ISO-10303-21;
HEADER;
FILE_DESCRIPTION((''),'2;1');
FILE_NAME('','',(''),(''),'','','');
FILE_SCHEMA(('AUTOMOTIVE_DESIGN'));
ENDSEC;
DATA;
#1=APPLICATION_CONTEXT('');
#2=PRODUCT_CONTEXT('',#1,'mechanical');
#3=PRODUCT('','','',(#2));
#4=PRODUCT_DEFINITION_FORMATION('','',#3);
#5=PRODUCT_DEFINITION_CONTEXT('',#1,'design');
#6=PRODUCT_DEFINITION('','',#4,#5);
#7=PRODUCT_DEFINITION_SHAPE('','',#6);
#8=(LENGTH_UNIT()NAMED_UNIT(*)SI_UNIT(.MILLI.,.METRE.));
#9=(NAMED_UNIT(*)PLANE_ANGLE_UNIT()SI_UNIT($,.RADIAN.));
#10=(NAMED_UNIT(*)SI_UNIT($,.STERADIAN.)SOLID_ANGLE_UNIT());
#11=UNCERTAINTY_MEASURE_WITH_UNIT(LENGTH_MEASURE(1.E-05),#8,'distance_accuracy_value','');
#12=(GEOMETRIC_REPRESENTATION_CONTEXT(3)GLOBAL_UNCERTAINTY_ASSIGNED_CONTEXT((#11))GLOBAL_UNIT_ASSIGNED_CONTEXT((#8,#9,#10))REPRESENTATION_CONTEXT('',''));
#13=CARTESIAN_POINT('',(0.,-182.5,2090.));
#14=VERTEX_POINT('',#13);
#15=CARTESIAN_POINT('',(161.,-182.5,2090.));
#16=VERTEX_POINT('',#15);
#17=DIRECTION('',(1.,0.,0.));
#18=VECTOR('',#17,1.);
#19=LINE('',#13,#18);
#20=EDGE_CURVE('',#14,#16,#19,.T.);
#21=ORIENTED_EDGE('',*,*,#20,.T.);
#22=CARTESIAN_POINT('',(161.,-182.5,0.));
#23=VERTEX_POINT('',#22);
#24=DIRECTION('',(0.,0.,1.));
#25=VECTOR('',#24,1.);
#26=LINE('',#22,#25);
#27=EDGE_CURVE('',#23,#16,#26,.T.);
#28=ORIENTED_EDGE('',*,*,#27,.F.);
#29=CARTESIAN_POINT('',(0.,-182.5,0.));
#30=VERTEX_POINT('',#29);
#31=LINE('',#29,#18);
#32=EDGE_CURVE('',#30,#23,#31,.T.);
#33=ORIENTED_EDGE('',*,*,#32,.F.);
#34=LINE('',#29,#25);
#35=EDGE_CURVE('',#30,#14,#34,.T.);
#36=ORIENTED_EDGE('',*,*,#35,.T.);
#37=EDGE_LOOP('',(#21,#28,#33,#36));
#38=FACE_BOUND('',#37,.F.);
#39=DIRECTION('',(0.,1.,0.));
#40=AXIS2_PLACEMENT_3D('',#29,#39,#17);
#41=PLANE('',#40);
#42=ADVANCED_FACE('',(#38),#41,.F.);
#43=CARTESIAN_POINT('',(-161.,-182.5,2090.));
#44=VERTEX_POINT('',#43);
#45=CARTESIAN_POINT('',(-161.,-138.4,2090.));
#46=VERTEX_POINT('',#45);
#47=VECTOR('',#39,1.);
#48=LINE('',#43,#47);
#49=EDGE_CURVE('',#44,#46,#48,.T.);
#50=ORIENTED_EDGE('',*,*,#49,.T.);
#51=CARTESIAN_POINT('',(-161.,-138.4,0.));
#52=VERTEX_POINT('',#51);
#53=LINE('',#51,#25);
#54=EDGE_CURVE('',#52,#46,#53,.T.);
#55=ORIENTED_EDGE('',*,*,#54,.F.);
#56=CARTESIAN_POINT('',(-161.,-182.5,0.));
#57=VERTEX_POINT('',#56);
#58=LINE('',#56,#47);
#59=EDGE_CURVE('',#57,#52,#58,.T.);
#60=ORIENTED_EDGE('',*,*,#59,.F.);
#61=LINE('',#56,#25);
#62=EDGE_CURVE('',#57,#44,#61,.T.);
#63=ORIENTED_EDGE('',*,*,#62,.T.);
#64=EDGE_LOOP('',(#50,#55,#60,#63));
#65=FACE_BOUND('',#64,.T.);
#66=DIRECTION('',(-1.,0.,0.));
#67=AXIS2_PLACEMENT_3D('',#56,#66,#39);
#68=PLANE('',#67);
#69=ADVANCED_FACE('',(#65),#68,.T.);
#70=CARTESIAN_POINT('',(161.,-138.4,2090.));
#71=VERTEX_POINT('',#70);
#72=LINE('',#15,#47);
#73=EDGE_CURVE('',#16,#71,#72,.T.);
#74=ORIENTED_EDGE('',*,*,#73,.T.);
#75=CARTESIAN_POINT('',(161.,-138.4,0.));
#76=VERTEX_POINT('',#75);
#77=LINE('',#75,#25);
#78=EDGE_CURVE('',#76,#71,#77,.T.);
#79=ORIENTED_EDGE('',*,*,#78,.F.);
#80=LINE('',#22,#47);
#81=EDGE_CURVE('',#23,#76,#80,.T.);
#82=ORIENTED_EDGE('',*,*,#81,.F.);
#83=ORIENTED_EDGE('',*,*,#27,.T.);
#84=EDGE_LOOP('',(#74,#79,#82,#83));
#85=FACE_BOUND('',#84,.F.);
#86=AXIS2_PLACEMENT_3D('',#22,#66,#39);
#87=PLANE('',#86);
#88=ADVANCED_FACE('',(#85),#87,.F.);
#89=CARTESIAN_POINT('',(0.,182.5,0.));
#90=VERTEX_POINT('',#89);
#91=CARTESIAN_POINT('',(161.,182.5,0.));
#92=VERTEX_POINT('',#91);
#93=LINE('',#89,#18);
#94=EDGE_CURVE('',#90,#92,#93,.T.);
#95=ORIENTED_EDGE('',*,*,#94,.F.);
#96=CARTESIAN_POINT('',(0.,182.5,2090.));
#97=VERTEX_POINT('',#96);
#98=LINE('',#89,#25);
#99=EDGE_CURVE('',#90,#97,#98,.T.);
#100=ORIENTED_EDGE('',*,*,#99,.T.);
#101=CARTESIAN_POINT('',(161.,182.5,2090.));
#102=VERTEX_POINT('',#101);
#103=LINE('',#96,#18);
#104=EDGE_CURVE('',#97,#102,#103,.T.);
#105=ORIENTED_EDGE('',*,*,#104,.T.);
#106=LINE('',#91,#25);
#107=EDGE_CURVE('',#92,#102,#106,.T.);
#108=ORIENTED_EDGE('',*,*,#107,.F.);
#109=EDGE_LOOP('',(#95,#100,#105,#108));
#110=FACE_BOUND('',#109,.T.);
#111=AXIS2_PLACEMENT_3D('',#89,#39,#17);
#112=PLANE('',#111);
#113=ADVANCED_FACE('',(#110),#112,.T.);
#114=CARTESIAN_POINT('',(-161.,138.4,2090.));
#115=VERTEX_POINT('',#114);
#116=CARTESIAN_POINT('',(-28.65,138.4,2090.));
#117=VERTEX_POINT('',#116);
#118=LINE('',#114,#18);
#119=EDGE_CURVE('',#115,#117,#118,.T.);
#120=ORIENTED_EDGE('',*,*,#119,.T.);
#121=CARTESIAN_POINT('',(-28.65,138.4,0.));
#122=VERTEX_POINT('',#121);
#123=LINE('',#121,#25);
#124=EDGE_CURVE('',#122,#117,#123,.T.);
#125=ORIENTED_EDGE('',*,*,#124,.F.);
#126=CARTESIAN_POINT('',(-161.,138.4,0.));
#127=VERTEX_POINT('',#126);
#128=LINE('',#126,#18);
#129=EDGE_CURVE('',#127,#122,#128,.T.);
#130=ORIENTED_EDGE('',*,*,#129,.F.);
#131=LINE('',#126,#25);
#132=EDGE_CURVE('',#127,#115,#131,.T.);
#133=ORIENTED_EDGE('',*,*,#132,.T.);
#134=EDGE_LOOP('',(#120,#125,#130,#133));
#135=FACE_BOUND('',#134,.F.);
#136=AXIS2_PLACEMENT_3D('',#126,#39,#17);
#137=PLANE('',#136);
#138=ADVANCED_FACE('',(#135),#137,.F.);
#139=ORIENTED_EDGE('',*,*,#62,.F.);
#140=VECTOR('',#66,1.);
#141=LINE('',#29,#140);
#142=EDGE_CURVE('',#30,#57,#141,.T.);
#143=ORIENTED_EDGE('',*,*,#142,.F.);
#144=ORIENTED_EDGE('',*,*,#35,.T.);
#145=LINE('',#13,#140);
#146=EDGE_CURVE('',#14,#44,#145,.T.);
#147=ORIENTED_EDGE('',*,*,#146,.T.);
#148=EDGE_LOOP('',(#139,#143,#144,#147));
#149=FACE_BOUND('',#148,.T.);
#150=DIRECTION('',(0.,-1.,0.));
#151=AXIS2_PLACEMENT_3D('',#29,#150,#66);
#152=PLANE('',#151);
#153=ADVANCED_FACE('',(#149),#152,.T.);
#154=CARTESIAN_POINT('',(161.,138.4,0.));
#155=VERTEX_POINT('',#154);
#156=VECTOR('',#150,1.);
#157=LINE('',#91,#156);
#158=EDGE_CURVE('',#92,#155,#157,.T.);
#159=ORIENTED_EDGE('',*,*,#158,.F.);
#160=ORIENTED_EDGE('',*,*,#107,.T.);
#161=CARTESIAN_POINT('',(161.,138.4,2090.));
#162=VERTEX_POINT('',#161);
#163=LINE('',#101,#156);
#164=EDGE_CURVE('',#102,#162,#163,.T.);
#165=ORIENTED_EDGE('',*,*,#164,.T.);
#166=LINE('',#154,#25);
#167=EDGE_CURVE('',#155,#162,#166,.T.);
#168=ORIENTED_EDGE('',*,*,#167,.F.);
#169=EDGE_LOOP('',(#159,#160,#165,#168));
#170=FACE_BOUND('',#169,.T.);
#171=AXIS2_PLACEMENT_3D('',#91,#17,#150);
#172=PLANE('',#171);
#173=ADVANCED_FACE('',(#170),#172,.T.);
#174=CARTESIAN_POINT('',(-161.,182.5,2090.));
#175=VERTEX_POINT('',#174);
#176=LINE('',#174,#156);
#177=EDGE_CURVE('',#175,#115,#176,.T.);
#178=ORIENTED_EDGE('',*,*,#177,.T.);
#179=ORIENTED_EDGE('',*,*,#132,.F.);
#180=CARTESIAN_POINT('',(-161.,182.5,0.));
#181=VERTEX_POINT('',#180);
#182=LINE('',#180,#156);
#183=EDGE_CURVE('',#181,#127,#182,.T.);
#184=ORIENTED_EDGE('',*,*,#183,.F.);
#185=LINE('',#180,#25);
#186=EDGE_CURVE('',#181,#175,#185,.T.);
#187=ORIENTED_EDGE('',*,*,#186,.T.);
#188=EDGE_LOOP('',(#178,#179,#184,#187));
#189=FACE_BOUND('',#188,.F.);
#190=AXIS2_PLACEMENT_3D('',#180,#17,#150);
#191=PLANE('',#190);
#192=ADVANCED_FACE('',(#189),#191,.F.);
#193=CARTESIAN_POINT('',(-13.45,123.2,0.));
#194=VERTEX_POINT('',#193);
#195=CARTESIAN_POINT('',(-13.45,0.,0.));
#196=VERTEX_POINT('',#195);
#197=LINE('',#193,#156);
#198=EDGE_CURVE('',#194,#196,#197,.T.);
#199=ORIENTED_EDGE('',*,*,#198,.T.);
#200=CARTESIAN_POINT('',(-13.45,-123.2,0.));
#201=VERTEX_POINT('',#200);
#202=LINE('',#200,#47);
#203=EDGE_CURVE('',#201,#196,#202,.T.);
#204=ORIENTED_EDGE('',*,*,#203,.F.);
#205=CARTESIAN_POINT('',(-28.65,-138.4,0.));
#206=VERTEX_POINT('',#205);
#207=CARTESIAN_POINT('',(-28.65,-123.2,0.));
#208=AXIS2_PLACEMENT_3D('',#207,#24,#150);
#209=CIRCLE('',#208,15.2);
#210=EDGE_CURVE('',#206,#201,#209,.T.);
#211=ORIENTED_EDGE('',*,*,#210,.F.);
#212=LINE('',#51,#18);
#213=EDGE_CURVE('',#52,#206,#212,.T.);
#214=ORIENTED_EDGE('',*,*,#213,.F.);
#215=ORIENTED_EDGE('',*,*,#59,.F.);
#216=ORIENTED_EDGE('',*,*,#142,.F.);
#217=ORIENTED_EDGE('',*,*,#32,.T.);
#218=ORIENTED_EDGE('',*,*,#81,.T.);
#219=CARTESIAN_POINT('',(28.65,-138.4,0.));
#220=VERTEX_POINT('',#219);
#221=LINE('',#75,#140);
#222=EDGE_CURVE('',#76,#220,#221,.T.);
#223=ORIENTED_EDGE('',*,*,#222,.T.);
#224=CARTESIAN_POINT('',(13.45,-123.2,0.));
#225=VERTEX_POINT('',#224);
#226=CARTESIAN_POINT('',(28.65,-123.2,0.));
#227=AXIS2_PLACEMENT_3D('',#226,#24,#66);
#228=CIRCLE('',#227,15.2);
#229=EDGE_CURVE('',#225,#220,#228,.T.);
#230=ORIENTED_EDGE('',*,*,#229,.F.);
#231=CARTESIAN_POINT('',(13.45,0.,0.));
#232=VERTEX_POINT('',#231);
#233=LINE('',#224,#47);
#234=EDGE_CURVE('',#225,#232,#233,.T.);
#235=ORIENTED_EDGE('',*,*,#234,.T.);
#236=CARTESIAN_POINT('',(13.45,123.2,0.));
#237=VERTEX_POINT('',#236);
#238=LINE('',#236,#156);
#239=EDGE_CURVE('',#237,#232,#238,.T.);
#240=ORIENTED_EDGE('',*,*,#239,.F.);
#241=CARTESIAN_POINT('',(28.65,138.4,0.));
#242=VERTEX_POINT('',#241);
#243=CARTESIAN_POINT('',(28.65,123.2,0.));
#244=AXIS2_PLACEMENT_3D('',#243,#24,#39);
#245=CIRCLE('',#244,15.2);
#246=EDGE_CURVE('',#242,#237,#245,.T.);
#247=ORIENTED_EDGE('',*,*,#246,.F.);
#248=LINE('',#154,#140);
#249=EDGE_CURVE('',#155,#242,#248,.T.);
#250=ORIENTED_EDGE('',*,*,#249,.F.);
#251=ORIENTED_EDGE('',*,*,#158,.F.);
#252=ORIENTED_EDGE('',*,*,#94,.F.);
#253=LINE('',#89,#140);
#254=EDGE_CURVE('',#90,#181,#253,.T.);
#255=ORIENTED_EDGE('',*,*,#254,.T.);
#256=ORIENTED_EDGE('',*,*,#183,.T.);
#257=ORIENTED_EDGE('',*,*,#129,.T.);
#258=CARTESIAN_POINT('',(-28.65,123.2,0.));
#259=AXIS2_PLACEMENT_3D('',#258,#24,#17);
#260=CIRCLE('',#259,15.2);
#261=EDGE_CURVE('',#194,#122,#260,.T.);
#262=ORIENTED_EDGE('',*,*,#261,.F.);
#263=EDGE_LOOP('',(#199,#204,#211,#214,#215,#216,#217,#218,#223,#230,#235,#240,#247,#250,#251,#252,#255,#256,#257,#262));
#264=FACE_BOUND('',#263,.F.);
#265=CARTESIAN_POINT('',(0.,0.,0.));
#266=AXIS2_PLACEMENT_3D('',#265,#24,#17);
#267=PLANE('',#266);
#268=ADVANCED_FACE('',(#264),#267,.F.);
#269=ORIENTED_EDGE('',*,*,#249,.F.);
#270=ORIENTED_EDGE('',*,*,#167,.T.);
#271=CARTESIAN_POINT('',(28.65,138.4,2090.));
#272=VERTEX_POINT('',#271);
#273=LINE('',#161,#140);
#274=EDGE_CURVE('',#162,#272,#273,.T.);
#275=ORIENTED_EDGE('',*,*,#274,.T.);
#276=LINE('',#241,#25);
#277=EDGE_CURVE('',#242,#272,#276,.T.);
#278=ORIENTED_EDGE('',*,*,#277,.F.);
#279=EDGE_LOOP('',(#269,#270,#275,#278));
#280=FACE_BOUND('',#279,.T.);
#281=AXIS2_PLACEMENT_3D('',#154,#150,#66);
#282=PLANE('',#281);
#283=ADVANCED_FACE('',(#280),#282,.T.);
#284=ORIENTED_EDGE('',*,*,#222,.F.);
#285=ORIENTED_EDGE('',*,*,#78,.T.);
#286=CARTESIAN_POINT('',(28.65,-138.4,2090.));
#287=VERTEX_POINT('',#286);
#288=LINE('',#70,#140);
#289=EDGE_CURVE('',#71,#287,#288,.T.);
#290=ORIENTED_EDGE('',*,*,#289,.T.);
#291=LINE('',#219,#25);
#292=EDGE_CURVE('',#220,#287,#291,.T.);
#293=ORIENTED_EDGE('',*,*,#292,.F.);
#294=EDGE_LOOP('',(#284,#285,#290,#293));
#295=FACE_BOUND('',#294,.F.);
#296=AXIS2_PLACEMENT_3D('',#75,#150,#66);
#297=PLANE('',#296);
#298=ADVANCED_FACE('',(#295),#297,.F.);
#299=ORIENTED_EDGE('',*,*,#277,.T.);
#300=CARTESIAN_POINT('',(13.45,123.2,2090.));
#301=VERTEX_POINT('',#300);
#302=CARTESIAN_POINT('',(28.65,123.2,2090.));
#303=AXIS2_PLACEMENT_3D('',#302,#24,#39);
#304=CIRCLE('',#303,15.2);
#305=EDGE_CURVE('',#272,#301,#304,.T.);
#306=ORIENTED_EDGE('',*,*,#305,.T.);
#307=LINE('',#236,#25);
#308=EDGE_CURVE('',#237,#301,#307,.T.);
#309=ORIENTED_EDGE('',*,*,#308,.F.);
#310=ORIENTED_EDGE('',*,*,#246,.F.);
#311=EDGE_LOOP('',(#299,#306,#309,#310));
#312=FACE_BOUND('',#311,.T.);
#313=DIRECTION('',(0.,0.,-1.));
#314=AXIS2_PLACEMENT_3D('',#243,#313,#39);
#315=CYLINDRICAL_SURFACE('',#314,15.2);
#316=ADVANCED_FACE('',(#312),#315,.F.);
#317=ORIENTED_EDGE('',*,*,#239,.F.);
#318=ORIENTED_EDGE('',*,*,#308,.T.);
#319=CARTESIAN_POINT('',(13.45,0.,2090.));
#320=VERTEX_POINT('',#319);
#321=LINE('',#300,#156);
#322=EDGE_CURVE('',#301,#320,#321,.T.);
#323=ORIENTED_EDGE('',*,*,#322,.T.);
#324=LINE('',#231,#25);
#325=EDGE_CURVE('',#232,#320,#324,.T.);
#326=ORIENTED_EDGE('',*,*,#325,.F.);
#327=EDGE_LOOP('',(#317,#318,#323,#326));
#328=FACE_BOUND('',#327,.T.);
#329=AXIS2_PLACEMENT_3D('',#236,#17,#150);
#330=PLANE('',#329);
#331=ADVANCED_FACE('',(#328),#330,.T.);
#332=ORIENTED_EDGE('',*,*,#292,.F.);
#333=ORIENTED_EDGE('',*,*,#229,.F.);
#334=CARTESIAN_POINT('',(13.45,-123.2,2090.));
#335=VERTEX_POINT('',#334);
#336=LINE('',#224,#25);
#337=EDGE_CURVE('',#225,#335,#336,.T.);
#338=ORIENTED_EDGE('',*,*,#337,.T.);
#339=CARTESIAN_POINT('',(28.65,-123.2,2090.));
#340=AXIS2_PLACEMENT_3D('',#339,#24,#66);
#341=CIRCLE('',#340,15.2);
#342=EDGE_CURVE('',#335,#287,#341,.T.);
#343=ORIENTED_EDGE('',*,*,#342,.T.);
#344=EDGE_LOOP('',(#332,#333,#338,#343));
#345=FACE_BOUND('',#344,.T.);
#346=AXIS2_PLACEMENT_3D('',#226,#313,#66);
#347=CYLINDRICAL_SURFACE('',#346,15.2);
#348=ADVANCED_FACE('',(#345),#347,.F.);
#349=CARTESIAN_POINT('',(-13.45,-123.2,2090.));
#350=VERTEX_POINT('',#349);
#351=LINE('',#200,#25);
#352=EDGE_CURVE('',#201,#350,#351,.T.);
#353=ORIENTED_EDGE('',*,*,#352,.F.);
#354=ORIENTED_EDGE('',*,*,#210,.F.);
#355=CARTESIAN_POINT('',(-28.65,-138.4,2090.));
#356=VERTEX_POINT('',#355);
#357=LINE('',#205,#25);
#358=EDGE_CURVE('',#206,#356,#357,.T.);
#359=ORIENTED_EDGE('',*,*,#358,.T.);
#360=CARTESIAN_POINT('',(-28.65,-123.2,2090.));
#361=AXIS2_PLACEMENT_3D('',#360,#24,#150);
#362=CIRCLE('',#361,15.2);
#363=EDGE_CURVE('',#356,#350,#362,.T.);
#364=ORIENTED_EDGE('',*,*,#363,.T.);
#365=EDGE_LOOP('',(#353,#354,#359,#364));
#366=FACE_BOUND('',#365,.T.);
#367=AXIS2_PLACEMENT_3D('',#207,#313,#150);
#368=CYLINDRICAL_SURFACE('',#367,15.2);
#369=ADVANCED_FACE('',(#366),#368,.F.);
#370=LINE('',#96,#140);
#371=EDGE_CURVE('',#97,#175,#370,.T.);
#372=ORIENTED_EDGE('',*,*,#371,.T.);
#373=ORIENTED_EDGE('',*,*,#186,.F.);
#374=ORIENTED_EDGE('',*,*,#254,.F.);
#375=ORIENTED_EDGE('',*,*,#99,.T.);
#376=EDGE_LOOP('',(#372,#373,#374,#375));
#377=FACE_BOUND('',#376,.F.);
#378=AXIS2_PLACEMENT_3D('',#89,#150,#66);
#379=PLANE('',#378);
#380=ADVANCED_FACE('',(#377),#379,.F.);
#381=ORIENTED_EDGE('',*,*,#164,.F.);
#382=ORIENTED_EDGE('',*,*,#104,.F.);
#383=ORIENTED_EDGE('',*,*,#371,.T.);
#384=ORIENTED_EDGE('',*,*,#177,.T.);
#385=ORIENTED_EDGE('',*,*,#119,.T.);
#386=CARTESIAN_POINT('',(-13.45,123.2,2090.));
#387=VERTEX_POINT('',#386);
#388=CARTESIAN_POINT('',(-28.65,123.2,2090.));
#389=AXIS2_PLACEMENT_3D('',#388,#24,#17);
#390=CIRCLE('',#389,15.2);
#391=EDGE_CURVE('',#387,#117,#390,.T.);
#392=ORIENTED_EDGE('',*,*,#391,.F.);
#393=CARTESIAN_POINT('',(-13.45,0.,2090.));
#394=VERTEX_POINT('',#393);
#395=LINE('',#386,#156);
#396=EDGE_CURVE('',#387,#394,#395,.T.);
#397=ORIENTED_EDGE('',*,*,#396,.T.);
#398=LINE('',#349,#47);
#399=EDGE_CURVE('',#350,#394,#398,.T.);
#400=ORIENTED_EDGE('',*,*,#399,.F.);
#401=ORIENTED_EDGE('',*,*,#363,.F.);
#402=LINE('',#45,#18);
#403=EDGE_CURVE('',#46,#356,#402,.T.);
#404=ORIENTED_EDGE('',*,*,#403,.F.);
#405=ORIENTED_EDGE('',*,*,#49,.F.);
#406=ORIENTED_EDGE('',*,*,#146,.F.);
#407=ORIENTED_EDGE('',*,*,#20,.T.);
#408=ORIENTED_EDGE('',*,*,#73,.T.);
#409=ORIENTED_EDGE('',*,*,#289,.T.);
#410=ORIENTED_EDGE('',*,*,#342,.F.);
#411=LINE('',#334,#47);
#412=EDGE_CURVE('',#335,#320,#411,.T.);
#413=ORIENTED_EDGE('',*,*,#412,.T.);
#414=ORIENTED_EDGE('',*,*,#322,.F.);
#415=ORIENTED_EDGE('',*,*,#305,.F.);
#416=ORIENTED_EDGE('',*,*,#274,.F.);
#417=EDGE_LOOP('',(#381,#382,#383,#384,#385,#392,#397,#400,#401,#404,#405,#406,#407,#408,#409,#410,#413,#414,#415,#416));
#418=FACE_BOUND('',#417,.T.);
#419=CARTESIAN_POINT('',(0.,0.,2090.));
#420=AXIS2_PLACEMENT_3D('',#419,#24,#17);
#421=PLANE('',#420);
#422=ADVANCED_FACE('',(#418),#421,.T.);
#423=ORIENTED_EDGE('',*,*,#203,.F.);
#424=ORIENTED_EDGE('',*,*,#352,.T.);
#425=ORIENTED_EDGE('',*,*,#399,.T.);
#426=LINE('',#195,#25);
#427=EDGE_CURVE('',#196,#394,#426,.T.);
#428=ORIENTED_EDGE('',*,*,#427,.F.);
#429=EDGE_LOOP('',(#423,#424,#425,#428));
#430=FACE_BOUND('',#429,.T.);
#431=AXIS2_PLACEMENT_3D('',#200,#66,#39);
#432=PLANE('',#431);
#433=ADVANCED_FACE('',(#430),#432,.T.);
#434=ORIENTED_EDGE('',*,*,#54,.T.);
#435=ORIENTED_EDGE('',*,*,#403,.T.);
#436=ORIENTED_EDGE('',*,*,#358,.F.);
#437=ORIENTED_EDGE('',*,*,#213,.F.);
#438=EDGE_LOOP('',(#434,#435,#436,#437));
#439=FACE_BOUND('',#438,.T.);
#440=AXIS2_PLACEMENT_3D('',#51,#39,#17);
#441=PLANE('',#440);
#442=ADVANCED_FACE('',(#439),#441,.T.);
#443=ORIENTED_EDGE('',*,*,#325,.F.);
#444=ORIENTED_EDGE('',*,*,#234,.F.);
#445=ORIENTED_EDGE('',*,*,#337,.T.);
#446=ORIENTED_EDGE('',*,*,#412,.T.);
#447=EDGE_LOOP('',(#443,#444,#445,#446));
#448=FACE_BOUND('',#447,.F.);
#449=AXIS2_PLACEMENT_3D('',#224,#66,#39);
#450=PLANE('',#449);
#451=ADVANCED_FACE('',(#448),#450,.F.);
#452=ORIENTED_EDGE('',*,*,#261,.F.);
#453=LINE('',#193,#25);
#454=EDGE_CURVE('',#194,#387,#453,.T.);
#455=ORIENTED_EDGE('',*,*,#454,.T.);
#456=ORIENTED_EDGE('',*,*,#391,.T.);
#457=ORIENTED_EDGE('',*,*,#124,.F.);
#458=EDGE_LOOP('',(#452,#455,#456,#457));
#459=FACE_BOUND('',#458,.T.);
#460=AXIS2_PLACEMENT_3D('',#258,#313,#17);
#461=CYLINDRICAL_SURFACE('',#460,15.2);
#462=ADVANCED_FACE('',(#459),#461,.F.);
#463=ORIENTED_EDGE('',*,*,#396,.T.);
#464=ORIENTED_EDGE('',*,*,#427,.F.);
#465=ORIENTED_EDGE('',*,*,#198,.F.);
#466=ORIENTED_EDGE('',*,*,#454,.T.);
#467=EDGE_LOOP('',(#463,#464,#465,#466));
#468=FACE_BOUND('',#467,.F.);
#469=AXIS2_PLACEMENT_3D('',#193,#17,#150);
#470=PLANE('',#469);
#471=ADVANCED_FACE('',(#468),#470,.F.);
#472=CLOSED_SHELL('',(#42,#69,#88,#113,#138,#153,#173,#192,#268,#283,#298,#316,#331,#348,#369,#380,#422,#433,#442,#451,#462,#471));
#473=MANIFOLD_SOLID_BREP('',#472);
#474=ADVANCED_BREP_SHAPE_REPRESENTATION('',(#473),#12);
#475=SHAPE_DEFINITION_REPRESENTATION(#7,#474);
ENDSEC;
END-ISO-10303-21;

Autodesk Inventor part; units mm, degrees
ref_plane "YZ Plane" through (0, 0, 0) normal (1, 0, 0) x (0, 1, 0)
ref_plane "Start plane" through (0, 0, 0) normal (0, 0, 1) x (1, 0, 0)
ref_plane "End plane" through (0, 0, 2090) normal (0, 0, 1) x (1, 0, 0)
sketch "Sketch" plane through (0, 0, 0) normal (0, 0, 1) x (1, 0, 0)
  line L0 (-161, -182.5) -> (-161, -138.4)
  line L1 (-161, -138.4) -> (-28.65, -138.4)
  line L2 (-13.45, -123.2) -> (-13.45, 0)
  line L3 (-13.45, 0) -> (0, 0) construction
  line L4 (0, 0) -> (0, -182.5) construction
  line L5 (0, -182.5) -> (-161, -182.5)
  line L6 (-60, 0) -> (80, 0) construction
  line L7 (0, -60) -> (0, 80) construction
  line L8 (161, -182.5) -> (161, -138.4)
  line L9 (161, -138.4) -> (28.65, -138.4)
  line L10 (13.45, -123.2) -> (13.45, 0)
  line L11 (13.45, 0) -> (0, 0) construction
  line L12 (0, -182.5) -> (161, -182.5)
  line L13 (-161, 182.5) -> (-161, 138.4)
  line L14 (-161, 138.4) -> (-28.65, 138.4)
  line L15 (-13.45, 123.2) -> (-13.45, 0)
  line L16 (0, 182.5) -> (-161, 182.5)
  line L17 (161, 182.5) -> (161, 138.4)
  line L18 (161, 138.4) -> (28.65, 138.4)
  line L19 (0, 182.5) -> (161, 182.5)
  line L20 (13.45, 123.2) -> (13.45, 0)
  arc A0 (-13.45, 123.2) -> (-28.65, 138.4) centre (-28.65, 123.2) ccw
  arc A1 (28.65, 138.4) -> (13.45, 123.2) centre (28.65, 123.2) ccw
  arc A2 (13.45, -123.2) -> (28.65, -138.4) centre (28.65, -123.2) ccw
  arc A3 (-28.65, -138.4) -> (-13.45, -123.2) centre (-28.65, -123.2) ccw
  line L21 (0, 108) -> (0, -88) construction
  line L22 (-88, 0) -> (108, 0) construction
  point P0 (-13.45, -138.4)
  point P1 (13.45, -138.4)
  point P2 (-13.45, 138.4)
  point P3 (13.45, 138.4)
  dimension "d1" = 182.5
  dimension "d2" = 44.1
  dimension "d3" = 161
  dimension "d4" = 13.45
  dimension "d10" = 15.2
extrude "Body" add sketch "Sketch" along normal up to surface (2090 mm away) from surface at 0
sketch "Sketch4" plane through (0, 0, 0) normal (0, 0, 1) x (1, 0, 0)
  line L0 (0, 0) -> (10, 0)
ref_plane "Work Plane3" through (0, 0, 0) normal (0, -1, 0) x (1, 0, 0)
sketch "Sketch5" plane through (0, 0, 0) normal (0, -1, 0) x (1, 0, 0)
  line L0 (-2, 0) -> (12, 0) projected
  line L1 (-2, 2090) -> (12, 2090) projected
  dimension "d14" = 2090
equation "\"d1\" = 0.5 * G_H"
equation "\"d2\" = G_T1"
equation "\"d3\" = 0.5 * G_W"
equation "\"d4\" = 0.5 * G_T"
equation "\"d10\" = G_IR"
equation "\"d5\" = G_L"
equation "\"G_W\" = 322"
equation "\"G_H\" = 365"
equation "\"G_T\" = 26.9"
equation "\"G_T1\" = 44.1"
equation "\"G_IR\" = 15.2"
equation "\"G_L\" = d14"
equation "\"G_OFFSET_START\" = 0"
equation "\"G_OFFSET_END\" = 0"
properties part number "AS 3679 - 310 UC - 283 - 2090" material "Steel, Mild"
